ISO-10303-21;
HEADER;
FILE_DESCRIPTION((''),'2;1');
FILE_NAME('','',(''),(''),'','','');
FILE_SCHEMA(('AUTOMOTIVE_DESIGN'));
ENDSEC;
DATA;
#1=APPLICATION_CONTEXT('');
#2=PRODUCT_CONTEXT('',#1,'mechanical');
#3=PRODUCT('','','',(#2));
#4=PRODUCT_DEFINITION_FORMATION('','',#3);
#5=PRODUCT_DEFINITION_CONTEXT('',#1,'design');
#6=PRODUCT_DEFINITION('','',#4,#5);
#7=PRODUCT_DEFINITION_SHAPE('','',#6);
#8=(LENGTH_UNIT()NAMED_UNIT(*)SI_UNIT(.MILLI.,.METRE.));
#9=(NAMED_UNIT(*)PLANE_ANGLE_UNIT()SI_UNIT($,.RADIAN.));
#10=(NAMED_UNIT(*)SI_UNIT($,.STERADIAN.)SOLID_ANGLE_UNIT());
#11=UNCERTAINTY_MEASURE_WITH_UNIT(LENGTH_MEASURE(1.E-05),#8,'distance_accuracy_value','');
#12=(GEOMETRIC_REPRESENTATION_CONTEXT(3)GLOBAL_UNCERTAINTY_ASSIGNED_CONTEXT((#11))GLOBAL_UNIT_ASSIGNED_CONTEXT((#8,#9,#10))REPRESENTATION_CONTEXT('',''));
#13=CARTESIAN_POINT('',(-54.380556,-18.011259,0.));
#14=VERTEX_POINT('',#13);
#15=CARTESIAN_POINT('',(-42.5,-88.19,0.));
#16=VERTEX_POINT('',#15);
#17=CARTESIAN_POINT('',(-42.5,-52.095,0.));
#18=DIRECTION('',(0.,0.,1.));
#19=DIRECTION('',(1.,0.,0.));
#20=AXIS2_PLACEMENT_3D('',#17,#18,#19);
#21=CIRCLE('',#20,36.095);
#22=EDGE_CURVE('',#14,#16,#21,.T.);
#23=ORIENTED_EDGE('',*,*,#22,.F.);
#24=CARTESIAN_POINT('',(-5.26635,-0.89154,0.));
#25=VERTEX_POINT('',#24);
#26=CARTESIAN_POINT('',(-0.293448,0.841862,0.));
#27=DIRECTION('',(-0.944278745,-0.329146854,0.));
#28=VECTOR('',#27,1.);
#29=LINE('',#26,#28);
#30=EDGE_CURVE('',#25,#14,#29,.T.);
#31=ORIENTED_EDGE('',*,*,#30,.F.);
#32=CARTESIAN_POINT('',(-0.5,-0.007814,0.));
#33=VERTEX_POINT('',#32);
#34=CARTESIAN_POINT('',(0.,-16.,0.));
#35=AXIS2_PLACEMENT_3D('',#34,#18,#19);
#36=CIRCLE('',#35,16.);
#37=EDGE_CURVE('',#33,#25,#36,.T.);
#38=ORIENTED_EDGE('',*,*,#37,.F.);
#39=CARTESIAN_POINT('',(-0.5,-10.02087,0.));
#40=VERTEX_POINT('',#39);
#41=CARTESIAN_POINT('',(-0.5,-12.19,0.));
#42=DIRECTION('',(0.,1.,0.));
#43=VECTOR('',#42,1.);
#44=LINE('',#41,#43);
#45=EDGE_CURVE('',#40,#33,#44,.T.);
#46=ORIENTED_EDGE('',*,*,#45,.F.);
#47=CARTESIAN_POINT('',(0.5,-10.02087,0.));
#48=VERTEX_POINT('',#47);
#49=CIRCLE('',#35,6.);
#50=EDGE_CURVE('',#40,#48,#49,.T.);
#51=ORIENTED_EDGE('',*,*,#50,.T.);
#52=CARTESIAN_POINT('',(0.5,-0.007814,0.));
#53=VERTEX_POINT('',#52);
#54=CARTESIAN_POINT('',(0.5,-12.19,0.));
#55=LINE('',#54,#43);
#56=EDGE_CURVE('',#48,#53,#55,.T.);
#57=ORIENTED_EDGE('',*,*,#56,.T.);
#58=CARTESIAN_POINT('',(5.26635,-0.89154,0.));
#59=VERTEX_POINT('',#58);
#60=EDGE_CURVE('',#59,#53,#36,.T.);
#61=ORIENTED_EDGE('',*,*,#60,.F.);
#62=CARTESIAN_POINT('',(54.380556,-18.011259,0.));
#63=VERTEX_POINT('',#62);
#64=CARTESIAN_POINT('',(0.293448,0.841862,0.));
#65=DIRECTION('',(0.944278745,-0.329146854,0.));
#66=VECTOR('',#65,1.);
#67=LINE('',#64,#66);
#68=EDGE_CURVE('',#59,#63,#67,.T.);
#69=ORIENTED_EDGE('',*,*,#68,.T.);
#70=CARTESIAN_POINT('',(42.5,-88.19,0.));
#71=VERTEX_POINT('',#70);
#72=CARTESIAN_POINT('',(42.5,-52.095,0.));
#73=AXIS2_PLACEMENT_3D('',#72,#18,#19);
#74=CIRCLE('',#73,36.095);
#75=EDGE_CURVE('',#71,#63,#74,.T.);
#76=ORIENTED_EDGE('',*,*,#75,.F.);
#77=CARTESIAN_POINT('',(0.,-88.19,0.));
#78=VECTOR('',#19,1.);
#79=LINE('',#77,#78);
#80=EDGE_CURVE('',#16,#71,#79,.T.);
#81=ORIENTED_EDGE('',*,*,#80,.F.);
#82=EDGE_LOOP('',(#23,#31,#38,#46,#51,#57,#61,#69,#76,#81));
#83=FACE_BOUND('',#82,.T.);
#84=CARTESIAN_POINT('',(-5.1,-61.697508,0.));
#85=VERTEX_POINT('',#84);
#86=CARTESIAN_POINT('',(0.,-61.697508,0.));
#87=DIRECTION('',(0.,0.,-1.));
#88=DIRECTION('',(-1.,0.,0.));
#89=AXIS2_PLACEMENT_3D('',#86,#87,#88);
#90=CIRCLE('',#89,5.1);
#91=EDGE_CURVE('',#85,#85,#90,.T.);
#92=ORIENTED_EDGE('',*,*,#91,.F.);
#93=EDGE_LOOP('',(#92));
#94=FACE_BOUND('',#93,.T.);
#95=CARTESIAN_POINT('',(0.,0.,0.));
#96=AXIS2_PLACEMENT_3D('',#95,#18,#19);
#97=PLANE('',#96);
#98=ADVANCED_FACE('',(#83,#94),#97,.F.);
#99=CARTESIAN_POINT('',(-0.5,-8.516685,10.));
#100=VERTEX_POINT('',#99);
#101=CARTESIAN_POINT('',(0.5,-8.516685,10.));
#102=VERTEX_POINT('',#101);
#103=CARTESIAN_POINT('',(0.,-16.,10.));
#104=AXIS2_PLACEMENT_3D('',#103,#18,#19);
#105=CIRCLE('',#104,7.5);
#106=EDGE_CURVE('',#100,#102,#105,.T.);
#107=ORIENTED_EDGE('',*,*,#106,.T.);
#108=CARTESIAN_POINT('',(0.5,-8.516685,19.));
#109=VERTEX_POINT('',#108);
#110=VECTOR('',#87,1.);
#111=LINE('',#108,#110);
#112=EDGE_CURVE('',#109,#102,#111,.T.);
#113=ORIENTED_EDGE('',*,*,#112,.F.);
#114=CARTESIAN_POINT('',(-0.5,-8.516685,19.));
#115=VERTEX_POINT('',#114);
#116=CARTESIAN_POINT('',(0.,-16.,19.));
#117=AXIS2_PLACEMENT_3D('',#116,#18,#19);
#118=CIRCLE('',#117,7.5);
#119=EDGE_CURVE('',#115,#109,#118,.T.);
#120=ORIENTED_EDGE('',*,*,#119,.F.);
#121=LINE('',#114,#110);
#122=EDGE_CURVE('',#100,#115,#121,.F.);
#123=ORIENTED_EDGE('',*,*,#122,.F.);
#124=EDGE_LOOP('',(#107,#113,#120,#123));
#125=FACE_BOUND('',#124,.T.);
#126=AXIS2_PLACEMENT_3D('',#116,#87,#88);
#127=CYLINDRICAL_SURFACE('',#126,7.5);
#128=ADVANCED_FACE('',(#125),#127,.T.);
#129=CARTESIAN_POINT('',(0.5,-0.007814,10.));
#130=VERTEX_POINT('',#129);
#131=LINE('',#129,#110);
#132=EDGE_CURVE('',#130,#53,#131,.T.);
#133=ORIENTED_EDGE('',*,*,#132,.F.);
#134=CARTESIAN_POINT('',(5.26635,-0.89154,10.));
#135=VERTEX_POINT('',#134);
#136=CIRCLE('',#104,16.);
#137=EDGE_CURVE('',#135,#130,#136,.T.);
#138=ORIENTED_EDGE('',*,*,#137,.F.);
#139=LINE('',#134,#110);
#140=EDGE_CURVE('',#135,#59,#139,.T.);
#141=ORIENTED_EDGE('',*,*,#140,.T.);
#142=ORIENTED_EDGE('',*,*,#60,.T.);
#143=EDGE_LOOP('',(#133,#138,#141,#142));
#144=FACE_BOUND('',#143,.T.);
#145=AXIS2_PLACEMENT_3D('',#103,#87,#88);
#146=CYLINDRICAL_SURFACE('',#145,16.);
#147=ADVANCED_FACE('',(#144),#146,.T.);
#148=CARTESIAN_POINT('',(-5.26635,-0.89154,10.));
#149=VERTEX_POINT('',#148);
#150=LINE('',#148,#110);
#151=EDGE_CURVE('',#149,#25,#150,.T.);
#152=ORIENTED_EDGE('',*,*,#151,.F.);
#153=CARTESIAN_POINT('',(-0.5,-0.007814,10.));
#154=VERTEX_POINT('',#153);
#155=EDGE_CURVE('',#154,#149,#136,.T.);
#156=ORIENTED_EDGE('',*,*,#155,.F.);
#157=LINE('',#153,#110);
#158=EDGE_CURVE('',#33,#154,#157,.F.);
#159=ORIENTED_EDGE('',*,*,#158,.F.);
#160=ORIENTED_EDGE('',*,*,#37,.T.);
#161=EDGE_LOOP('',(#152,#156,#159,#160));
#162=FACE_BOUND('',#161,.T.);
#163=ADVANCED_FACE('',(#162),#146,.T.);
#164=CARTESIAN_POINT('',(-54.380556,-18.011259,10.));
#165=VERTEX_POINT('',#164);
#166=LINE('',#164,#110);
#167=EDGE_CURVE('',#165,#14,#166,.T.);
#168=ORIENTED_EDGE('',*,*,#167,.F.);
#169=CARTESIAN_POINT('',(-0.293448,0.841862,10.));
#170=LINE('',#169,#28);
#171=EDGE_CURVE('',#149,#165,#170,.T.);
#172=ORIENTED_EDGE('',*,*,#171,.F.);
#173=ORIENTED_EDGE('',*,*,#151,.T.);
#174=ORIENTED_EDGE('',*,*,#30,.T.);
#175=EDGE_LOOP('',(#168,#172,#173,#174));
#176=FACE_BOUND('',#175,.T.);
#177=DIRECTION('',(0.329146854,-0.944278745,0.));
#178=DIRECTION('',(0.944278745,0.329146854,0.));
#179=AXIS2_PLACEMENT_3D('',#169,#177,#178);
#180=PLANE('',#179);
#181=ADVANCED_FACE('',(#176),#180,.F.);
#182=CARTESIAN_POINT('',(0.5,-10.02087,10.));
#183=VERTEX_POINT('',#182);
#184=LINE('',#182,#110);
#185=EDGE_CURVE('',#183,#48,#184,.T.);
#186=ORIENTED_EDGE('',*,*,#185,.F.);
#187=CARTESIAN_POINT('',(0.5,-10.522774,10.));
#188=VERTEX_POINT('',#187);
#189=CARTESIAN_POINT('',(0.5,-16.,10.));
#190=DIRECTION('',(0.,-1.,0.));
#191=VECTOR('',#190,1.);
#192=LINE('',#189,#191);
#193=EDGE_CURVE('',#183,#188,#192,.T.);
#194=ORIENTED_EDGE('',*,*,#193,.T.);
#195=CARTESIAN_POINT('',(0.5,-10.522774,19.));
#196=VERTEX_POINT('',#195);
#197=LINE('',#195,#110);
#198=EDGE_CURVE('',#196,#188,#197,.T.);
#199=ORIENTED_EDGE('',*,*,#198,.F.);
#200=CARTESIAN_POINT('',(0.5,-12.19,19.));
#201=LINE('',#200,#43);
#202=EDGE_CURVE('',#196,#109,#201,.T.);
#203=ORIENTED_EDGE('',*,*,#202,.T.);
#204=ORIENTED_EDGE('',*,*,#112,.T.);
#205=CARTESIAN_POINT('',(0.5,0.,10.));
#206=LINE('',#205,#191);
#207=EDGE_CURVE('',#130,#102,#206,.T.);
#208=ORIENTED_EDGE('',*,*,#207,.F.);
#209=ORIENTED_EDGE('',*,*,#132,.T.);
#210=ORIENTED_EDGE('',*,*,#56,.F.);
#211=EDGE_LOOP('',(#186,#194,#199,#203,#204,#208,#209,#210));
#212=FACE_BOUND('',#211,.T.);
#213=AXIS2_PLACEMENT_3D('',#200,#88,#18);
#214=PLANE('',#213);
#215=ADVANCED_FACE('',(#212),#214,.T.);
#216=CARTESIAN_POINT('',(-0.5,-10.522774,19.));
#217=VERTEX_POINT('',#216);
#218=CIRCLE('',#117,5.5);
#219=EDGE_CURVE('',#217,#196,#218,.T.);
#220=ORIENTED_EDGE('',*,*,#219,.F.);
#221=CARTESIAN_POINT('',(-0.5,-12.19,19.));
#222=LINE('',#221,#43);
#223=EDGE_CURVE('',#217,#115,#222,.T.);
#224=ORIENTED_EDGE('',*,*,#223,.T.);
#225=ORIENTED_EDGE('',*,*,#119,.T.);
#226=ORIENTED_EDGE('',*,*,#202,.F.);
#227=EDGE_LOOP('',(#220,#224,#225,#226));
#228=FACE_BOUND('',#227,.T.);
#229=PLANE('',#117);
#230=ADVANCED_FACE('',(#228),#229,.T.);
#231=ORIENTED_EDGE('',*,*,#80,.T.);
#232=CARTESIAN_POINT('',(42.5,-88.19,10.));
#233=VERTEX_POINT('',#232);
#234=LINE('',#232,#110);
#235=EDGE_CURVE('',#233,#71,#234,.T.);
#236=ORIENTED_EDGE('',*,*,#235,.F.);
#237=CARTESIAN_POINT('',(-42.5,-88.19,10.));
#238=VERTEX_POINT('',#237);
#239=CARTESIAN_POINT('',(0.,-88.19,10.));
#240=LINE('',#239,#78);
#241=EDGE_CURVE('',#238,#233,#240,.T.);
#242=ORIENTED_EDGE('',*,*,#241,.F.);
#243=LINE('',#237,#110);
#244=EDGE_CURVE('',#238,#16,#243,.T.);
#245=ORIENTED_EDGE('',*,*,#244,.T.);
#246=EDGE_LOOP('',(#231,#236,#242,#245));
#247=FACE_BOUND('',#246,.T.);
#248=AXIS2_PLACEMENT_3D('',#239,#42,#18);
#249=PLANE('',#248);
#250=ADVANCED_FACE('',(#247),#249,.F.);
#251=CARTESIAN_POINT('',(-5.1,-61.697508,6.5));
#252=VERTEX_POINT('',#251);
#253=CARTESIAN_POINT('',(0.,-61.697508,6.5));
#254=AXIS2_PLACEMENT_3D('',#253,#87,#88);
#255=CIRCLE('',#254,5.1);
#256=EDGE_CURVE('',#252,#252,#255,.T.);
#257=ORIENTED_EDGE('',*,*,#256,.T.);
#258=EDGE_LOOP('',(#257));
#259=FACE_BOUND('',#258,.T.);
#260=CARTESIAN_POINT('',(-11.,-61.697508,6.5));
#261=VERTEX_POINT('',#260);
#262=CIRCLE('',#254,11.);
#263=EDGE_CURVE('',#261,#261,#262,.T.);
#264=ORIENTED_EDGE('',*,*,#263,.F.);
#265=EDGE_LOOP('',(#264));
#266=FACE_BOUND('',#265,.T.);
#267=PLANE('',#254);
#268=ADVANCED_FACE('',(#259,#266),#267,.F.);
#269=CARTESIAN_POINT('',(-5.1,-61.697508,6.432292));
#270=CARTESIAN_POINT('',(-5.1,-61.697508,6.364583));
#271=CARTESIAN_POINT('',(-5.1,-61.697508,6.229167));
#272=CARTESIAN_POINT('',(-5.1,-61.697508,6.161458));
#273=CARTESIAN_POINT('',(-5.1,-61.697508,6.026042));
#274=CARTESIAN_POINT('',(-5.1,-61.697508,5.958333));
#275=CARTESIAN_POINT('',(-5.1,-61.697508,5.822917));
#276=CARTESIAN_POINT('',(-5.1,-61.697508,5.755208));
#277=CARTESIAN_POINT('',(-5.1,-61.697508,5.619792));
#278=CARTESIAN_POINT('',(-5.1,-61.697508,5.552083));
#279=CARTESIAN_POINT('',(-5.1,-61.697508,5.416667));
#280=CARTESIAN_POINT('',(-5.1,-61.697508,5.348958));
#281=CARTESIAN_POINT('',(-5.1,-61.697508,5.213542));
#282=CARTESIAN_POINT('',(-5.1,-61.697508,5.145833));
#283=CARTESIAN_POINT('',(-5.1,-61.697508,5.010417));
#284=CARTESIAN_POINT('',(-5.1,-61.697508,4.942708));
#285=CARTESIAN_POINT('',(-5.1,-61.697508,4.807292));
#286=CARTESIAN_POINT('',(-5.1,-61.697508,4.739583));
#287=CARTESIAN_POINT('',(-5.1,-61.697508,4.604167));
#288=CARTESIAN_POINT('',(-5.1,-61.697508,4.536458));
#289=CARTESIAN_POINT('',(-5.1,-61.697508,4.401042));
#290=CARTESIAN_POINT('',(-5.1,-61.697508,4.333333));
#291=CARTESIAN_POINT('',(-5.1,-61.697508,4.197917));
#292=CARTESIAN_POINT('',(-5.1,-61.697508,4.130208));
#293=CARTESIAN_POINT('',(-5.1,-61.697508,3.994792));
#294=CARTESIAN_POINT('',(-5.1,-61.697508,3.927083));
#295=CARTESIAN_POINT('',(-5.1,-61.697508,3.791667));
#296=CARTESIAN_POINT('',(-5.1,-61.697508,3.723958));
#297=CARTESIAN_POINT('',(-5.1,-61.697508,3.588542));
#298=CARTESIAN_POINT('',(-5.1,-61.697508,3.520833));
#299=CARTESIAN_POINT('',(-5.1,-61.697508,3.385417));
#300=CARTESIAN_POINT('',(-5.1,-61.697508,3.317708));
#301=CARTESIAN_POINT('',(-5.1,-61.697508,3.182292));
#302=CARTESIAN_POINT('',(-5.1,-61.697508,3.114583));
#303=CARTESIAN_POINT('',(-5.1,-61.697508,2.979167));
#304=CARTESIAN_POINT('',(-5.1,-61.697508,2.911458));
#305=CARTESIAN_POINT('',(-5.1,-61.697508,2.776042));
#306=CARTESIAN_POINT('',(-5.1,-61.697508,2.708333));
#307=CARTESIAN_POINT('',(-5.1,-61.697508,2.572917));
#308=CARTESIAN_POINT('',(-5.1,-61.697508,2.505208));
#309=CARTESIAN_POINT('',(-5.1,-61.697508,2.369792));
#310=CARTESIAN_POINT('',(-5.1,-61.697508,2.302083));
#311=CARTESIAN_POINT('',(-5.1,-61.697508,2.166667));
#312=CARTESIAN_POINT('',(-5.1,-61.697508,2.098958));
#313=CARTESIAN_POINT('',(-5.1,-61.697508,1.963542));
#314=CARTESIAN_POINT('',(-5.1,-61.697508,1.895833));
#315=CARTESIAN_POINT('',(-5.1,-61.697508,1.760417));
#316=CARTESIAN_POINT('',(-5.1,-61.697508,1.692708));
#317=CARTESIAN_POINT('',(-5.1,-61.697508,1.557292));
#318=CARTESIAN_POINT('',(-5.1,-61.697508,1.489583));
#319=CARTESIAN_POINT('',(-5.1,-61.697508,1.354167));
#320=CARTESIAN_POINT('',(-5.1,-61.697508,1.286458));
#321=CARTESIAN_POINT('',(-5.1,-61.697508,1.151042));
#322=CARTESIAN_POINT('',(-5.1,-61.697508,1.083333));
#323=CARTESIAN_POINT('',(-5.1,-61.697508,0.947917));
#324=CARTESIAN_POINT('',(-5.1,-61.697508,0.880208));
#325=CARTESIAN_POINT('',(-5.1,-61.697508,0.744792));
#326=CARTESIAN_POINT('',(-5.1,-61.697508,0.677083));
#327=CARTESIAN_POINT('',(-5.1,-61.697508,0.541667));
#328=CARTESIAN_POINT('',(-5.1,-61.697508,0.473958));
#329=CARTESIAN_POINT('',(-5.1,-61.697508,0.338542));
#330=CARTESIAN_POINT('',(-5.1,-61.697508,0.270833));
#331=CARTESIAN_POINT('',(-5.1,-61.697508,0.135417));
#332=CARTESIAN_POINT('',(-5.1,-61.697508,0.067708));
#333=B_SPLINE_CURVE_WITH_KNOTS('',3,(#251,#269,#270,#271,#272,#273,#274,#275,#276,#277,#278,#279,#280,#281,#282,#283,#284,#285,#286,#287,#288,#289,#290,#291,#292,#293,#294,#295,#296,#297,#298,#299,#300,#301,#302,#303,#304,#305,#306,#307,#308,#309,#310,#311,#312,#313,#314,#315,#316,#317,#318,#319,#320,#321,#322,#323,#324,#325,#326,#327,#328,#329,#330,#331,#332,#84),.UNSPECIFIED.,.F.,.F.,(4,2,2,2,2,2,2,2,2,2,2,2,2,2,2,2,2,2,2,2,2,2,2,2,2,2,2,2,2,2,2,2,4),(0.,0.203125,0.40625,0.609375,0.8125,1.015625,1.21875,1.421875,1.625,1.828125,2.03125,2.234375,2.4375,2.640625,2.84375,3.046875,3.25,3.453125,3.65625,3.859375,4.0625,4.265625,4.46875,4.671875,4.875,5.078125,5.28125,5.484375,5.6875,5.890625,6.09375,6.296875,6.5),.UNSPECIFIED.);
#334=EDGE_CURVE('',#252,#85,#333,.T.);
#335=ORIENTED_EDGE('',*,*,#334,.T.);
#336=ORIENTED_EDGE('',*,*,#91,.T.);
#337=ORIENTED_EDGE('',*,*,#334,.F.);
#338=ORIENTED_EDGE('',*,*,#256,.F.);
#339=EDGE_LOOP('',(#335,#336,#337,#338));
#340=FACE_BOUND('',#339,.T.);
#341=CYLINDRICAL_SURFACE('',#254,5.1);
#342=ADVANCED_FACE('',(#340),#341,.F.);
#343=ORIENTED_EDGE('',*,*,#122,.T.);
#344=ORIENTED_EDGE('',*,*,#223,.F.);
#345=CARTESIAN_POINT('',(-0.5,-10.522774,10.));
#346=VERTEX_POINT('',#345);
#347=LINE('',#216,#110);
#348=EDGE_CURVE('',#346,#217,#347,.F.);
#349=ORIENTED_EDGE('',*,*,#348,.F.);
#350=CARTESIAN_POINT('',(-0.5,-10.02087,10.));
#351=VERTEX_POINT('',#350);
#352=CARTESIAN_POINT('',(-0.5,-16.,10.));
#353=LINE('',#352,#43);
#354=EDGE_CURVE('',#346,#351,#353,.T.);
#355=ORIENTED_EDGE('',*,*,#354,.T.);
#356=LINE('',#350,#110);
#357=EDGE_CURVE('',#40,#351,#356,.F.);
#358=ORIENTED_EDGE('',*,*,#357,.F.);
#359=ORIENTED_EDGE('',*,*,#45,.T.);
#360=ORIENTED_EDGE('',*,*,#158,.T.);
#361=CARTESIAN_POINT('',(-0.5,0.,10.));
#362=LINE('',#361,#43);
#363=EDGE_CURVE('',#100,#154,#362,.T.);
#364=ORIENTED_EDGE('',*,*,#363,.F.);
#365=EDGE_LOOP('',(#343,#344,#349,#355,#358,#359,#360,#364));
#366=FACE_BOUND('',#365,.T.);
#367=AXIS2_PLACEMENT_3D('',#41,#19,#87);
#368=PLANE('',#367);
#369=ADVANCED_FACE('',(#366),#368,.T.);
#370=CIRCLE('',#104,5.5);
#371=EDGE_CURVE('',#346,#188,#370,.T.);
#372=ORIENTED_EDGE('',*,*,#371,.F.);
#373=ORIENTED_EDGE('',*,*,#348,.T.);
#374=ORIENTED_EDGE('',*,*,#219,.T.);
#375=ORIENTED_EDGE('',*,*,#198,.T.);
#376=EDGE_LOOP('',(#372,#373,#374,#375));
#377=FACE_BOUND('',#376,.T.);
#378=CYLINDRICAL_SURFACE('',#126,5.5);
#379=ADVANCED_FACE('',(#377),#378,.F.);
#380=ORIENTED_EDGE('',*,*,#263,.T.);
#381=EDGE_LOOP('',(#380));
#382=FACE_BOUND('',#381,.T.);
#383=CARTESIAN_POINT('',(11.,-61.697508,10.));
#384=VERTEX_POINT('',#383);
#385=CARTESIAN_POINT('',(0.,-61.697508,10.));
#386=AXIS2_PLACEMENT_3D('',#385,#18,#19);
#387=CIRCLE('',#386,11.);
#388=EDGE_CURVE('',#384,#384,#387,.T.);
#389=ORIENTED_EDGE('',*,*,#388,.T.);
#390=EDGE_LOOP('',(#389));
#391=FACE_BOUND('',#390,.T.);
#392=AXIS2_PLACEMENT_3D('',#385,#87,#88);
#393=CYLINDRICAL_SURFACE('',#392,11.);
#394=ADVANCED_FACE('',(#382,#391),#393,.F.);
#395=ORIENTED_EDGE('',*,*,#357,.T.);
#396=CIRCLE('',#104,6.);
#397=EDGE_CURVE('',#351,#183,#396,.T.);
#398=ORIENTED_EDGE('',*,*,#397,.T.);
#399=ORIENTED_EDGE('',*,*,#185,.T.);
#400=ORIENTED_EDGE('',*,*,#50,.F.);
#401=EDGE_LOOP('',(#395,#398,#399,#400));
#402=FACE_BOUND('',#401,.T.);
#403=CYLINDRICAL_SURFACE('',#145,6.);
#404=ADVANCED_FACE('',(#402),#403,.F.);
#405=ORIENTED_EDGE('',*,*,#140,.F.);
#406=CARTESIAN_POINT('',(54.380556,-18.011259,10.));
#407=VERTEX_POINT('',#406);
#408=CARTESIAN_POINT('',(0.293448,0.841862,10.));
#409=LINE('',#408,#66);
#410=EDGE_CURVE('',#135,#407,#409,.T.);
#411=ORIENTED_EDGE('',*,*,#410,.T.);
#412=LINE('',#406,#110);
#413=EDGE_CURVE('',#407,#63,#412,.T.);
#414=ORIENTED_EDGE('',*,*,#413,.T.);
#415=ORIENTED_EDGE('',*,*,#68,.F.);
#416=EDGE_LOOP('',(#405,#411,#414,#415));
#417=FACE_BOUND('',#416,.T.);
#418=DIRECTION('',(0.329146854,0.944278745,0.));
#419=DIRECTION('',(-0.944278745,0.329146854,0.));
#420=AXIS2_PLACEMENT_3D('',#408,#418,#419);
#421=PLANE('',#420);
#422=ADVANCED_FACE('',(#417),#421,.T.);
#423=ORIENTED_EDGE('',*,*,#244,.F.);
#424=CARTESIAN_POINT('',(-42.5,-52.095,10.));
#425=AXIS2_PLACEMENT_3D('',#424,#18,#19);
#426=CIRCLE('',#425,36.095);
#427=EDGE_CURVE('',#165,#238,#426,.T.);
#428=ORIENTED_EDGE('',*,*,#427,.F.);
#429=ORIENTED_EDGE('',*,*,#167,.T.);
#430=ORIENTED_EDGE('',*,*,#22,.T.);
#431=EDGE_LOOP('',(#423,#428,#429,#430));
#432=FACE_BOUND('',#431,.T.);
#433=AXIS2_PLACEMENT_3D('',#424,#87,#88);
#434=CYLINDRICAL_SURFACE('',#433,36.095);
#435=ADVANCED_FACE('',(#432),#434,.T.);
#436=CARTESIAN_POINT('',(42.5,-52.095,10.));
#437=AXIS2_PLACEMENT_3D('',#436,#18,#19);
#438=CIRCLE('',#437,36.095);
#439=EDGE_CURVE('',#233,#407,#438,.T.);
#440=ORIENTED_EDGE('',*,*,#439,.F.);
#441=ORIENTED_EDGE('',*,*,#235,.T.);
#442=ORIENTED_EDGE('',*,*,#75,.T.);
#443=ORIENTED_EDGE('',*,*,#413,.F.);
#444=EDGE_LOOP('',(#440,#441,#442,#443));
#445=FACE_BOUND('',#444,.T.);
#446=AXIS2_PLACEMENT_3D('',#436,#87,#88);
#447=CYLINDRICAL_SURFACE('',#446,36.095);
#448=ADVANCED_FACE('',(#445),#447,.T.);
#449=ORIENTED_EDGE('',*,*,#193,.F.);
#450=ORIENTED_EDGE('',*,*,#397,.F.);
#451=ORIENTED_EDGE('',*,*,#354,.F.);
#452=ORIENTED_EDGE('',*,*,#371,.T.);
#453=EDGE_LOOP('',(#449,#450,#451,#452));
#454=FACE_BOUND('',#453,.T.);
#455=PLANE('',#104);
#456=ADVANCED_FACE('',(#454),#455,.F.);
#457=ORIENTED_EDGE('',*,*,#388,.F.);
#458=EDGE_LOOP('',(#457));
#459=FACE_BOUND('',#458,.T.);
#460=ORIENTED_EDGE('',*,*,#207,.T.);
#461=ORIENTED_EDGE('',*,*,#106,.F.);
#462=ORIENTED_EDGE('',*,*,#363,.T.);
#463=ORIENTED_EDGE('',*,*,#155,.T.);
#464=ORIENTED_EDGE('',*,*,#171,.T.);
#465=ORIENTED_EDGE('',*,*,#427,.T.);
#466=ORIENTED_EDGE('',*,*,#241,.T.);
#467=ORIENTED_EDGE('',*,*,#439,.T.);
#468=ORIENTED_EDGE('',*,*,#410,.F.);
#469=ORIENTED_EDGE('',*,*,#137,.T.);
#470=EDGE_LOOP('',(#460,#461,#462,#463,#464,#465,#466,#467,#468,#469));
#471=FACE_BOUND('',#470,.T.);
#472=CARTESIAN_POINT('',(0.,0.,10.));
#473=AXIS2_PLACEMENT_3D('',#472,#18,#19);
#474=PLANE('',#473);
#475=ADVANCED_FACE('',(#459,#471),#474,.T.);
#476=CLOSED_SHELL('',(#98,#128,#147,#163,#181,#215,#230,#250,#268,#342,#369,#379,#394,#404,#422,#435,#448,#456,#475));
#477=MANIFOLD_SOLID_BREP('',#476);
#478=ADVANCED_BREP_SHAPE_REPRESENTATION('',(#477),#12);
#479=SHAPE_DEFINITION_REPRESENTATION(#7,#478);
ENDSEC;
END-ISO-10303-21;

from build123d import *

# Parameters (mm, degrees)
SKETCH1_R           = 6
SKETCH1_R_2         = 11
BOSS_EXTRUDE1_DEPTH = 10
SKETCH2_R           = 7.5
SKETCH2_R_2         = 5.5
BOSS_EXTRUDE2_DEPTH = 9
SKETCH3_R           = 11
SKETCH3_R_2         = 5.1
BOSS_EXTRUDE3_DEPTH = 6.5
SKETCH4_W           = 1
SKETCH4_H           = 19
CUT_EXTRUDE1_DEPTH  = 14


with BuildPart() as part:
    # Sketch1 → Boss-Extrude1 (new body)
    with BuildSketch(Plane.XY):
        with BuildLine():
            Line((54.380555702, -18.011258697), (5.266349667, -0.891540079))
            ThreePointArc((5.266349667, -0.891540079), (0, 0), (-5.266349667, -0.891540079))
            Line((-5.266349667, -0.891540079), (-54.380555702, -18.011258697))
            ThreePointArc((-54.380555702, -18.011258697), (-78.08863349, -58.119798033), (-42.5, -88.19))
            Line((-42.5, -88.19), (42.5, -88.19))
            ThreePointArc((42.5, -88.19), (78.08863349, -58.119798033), (54.380555702, -18.011258697))
        make_face()
        with Locations((0, -16)):
            Circle(SKETCH1_R, mode=Mode.SUBTRACT)
        with Locations((0, -61.697507746)):
            Circle(SKETCH1_R_2, mode=Mode.SUBTRACT)
    extrude(amount=BOSS_EXTRUDE1_DEPTH)

    # Sketch2 → Boss-Extrude2 (add)
    with BuildSketch(Plane.XY.offset(10)):
        with Locations((0, -16)):
            Circle(SKETCH2_R)
        with Locations((0, -16)):
            Circle(SKETCH2_R_2, mode=Mode.SUBTRACT)
    extrude(amount=BOSS_EXTRUDE2_DEPTH)

    # Sketch3 → Boss-Extrude3 (add)
    with BuildSketch(Plane(origin=(0, 0, 0), x_dir=(-1, 0, 0), z_dir=(0, 0, -1))):
        with Locations((0, -61.697507746)):
            Circle(SKETCH3_R)
        with Locations((0, -61.697507746)):
            Circle(SKETCH3_R_2, mode=Mode.SUBTRACT)
    extrude(amount=-BOSS_EXTRUDE3_DEPTH)

    # Sketch4 → Cut-Extrude1 (cut)
    with BuildSketch(Plane(origin=(0, 1.81, 0), x_dir=(-1, 0, 0), z_dir=(0, -1, 0))):
        with Locations((0, -9.5)):
            Rectangle(SKETCH4_W, SKETCH4_H)
    extrude(amount=CUT_EXTRUDE1_DEPTH, mode=Mode.SUBTRACT)


solid = part.part
